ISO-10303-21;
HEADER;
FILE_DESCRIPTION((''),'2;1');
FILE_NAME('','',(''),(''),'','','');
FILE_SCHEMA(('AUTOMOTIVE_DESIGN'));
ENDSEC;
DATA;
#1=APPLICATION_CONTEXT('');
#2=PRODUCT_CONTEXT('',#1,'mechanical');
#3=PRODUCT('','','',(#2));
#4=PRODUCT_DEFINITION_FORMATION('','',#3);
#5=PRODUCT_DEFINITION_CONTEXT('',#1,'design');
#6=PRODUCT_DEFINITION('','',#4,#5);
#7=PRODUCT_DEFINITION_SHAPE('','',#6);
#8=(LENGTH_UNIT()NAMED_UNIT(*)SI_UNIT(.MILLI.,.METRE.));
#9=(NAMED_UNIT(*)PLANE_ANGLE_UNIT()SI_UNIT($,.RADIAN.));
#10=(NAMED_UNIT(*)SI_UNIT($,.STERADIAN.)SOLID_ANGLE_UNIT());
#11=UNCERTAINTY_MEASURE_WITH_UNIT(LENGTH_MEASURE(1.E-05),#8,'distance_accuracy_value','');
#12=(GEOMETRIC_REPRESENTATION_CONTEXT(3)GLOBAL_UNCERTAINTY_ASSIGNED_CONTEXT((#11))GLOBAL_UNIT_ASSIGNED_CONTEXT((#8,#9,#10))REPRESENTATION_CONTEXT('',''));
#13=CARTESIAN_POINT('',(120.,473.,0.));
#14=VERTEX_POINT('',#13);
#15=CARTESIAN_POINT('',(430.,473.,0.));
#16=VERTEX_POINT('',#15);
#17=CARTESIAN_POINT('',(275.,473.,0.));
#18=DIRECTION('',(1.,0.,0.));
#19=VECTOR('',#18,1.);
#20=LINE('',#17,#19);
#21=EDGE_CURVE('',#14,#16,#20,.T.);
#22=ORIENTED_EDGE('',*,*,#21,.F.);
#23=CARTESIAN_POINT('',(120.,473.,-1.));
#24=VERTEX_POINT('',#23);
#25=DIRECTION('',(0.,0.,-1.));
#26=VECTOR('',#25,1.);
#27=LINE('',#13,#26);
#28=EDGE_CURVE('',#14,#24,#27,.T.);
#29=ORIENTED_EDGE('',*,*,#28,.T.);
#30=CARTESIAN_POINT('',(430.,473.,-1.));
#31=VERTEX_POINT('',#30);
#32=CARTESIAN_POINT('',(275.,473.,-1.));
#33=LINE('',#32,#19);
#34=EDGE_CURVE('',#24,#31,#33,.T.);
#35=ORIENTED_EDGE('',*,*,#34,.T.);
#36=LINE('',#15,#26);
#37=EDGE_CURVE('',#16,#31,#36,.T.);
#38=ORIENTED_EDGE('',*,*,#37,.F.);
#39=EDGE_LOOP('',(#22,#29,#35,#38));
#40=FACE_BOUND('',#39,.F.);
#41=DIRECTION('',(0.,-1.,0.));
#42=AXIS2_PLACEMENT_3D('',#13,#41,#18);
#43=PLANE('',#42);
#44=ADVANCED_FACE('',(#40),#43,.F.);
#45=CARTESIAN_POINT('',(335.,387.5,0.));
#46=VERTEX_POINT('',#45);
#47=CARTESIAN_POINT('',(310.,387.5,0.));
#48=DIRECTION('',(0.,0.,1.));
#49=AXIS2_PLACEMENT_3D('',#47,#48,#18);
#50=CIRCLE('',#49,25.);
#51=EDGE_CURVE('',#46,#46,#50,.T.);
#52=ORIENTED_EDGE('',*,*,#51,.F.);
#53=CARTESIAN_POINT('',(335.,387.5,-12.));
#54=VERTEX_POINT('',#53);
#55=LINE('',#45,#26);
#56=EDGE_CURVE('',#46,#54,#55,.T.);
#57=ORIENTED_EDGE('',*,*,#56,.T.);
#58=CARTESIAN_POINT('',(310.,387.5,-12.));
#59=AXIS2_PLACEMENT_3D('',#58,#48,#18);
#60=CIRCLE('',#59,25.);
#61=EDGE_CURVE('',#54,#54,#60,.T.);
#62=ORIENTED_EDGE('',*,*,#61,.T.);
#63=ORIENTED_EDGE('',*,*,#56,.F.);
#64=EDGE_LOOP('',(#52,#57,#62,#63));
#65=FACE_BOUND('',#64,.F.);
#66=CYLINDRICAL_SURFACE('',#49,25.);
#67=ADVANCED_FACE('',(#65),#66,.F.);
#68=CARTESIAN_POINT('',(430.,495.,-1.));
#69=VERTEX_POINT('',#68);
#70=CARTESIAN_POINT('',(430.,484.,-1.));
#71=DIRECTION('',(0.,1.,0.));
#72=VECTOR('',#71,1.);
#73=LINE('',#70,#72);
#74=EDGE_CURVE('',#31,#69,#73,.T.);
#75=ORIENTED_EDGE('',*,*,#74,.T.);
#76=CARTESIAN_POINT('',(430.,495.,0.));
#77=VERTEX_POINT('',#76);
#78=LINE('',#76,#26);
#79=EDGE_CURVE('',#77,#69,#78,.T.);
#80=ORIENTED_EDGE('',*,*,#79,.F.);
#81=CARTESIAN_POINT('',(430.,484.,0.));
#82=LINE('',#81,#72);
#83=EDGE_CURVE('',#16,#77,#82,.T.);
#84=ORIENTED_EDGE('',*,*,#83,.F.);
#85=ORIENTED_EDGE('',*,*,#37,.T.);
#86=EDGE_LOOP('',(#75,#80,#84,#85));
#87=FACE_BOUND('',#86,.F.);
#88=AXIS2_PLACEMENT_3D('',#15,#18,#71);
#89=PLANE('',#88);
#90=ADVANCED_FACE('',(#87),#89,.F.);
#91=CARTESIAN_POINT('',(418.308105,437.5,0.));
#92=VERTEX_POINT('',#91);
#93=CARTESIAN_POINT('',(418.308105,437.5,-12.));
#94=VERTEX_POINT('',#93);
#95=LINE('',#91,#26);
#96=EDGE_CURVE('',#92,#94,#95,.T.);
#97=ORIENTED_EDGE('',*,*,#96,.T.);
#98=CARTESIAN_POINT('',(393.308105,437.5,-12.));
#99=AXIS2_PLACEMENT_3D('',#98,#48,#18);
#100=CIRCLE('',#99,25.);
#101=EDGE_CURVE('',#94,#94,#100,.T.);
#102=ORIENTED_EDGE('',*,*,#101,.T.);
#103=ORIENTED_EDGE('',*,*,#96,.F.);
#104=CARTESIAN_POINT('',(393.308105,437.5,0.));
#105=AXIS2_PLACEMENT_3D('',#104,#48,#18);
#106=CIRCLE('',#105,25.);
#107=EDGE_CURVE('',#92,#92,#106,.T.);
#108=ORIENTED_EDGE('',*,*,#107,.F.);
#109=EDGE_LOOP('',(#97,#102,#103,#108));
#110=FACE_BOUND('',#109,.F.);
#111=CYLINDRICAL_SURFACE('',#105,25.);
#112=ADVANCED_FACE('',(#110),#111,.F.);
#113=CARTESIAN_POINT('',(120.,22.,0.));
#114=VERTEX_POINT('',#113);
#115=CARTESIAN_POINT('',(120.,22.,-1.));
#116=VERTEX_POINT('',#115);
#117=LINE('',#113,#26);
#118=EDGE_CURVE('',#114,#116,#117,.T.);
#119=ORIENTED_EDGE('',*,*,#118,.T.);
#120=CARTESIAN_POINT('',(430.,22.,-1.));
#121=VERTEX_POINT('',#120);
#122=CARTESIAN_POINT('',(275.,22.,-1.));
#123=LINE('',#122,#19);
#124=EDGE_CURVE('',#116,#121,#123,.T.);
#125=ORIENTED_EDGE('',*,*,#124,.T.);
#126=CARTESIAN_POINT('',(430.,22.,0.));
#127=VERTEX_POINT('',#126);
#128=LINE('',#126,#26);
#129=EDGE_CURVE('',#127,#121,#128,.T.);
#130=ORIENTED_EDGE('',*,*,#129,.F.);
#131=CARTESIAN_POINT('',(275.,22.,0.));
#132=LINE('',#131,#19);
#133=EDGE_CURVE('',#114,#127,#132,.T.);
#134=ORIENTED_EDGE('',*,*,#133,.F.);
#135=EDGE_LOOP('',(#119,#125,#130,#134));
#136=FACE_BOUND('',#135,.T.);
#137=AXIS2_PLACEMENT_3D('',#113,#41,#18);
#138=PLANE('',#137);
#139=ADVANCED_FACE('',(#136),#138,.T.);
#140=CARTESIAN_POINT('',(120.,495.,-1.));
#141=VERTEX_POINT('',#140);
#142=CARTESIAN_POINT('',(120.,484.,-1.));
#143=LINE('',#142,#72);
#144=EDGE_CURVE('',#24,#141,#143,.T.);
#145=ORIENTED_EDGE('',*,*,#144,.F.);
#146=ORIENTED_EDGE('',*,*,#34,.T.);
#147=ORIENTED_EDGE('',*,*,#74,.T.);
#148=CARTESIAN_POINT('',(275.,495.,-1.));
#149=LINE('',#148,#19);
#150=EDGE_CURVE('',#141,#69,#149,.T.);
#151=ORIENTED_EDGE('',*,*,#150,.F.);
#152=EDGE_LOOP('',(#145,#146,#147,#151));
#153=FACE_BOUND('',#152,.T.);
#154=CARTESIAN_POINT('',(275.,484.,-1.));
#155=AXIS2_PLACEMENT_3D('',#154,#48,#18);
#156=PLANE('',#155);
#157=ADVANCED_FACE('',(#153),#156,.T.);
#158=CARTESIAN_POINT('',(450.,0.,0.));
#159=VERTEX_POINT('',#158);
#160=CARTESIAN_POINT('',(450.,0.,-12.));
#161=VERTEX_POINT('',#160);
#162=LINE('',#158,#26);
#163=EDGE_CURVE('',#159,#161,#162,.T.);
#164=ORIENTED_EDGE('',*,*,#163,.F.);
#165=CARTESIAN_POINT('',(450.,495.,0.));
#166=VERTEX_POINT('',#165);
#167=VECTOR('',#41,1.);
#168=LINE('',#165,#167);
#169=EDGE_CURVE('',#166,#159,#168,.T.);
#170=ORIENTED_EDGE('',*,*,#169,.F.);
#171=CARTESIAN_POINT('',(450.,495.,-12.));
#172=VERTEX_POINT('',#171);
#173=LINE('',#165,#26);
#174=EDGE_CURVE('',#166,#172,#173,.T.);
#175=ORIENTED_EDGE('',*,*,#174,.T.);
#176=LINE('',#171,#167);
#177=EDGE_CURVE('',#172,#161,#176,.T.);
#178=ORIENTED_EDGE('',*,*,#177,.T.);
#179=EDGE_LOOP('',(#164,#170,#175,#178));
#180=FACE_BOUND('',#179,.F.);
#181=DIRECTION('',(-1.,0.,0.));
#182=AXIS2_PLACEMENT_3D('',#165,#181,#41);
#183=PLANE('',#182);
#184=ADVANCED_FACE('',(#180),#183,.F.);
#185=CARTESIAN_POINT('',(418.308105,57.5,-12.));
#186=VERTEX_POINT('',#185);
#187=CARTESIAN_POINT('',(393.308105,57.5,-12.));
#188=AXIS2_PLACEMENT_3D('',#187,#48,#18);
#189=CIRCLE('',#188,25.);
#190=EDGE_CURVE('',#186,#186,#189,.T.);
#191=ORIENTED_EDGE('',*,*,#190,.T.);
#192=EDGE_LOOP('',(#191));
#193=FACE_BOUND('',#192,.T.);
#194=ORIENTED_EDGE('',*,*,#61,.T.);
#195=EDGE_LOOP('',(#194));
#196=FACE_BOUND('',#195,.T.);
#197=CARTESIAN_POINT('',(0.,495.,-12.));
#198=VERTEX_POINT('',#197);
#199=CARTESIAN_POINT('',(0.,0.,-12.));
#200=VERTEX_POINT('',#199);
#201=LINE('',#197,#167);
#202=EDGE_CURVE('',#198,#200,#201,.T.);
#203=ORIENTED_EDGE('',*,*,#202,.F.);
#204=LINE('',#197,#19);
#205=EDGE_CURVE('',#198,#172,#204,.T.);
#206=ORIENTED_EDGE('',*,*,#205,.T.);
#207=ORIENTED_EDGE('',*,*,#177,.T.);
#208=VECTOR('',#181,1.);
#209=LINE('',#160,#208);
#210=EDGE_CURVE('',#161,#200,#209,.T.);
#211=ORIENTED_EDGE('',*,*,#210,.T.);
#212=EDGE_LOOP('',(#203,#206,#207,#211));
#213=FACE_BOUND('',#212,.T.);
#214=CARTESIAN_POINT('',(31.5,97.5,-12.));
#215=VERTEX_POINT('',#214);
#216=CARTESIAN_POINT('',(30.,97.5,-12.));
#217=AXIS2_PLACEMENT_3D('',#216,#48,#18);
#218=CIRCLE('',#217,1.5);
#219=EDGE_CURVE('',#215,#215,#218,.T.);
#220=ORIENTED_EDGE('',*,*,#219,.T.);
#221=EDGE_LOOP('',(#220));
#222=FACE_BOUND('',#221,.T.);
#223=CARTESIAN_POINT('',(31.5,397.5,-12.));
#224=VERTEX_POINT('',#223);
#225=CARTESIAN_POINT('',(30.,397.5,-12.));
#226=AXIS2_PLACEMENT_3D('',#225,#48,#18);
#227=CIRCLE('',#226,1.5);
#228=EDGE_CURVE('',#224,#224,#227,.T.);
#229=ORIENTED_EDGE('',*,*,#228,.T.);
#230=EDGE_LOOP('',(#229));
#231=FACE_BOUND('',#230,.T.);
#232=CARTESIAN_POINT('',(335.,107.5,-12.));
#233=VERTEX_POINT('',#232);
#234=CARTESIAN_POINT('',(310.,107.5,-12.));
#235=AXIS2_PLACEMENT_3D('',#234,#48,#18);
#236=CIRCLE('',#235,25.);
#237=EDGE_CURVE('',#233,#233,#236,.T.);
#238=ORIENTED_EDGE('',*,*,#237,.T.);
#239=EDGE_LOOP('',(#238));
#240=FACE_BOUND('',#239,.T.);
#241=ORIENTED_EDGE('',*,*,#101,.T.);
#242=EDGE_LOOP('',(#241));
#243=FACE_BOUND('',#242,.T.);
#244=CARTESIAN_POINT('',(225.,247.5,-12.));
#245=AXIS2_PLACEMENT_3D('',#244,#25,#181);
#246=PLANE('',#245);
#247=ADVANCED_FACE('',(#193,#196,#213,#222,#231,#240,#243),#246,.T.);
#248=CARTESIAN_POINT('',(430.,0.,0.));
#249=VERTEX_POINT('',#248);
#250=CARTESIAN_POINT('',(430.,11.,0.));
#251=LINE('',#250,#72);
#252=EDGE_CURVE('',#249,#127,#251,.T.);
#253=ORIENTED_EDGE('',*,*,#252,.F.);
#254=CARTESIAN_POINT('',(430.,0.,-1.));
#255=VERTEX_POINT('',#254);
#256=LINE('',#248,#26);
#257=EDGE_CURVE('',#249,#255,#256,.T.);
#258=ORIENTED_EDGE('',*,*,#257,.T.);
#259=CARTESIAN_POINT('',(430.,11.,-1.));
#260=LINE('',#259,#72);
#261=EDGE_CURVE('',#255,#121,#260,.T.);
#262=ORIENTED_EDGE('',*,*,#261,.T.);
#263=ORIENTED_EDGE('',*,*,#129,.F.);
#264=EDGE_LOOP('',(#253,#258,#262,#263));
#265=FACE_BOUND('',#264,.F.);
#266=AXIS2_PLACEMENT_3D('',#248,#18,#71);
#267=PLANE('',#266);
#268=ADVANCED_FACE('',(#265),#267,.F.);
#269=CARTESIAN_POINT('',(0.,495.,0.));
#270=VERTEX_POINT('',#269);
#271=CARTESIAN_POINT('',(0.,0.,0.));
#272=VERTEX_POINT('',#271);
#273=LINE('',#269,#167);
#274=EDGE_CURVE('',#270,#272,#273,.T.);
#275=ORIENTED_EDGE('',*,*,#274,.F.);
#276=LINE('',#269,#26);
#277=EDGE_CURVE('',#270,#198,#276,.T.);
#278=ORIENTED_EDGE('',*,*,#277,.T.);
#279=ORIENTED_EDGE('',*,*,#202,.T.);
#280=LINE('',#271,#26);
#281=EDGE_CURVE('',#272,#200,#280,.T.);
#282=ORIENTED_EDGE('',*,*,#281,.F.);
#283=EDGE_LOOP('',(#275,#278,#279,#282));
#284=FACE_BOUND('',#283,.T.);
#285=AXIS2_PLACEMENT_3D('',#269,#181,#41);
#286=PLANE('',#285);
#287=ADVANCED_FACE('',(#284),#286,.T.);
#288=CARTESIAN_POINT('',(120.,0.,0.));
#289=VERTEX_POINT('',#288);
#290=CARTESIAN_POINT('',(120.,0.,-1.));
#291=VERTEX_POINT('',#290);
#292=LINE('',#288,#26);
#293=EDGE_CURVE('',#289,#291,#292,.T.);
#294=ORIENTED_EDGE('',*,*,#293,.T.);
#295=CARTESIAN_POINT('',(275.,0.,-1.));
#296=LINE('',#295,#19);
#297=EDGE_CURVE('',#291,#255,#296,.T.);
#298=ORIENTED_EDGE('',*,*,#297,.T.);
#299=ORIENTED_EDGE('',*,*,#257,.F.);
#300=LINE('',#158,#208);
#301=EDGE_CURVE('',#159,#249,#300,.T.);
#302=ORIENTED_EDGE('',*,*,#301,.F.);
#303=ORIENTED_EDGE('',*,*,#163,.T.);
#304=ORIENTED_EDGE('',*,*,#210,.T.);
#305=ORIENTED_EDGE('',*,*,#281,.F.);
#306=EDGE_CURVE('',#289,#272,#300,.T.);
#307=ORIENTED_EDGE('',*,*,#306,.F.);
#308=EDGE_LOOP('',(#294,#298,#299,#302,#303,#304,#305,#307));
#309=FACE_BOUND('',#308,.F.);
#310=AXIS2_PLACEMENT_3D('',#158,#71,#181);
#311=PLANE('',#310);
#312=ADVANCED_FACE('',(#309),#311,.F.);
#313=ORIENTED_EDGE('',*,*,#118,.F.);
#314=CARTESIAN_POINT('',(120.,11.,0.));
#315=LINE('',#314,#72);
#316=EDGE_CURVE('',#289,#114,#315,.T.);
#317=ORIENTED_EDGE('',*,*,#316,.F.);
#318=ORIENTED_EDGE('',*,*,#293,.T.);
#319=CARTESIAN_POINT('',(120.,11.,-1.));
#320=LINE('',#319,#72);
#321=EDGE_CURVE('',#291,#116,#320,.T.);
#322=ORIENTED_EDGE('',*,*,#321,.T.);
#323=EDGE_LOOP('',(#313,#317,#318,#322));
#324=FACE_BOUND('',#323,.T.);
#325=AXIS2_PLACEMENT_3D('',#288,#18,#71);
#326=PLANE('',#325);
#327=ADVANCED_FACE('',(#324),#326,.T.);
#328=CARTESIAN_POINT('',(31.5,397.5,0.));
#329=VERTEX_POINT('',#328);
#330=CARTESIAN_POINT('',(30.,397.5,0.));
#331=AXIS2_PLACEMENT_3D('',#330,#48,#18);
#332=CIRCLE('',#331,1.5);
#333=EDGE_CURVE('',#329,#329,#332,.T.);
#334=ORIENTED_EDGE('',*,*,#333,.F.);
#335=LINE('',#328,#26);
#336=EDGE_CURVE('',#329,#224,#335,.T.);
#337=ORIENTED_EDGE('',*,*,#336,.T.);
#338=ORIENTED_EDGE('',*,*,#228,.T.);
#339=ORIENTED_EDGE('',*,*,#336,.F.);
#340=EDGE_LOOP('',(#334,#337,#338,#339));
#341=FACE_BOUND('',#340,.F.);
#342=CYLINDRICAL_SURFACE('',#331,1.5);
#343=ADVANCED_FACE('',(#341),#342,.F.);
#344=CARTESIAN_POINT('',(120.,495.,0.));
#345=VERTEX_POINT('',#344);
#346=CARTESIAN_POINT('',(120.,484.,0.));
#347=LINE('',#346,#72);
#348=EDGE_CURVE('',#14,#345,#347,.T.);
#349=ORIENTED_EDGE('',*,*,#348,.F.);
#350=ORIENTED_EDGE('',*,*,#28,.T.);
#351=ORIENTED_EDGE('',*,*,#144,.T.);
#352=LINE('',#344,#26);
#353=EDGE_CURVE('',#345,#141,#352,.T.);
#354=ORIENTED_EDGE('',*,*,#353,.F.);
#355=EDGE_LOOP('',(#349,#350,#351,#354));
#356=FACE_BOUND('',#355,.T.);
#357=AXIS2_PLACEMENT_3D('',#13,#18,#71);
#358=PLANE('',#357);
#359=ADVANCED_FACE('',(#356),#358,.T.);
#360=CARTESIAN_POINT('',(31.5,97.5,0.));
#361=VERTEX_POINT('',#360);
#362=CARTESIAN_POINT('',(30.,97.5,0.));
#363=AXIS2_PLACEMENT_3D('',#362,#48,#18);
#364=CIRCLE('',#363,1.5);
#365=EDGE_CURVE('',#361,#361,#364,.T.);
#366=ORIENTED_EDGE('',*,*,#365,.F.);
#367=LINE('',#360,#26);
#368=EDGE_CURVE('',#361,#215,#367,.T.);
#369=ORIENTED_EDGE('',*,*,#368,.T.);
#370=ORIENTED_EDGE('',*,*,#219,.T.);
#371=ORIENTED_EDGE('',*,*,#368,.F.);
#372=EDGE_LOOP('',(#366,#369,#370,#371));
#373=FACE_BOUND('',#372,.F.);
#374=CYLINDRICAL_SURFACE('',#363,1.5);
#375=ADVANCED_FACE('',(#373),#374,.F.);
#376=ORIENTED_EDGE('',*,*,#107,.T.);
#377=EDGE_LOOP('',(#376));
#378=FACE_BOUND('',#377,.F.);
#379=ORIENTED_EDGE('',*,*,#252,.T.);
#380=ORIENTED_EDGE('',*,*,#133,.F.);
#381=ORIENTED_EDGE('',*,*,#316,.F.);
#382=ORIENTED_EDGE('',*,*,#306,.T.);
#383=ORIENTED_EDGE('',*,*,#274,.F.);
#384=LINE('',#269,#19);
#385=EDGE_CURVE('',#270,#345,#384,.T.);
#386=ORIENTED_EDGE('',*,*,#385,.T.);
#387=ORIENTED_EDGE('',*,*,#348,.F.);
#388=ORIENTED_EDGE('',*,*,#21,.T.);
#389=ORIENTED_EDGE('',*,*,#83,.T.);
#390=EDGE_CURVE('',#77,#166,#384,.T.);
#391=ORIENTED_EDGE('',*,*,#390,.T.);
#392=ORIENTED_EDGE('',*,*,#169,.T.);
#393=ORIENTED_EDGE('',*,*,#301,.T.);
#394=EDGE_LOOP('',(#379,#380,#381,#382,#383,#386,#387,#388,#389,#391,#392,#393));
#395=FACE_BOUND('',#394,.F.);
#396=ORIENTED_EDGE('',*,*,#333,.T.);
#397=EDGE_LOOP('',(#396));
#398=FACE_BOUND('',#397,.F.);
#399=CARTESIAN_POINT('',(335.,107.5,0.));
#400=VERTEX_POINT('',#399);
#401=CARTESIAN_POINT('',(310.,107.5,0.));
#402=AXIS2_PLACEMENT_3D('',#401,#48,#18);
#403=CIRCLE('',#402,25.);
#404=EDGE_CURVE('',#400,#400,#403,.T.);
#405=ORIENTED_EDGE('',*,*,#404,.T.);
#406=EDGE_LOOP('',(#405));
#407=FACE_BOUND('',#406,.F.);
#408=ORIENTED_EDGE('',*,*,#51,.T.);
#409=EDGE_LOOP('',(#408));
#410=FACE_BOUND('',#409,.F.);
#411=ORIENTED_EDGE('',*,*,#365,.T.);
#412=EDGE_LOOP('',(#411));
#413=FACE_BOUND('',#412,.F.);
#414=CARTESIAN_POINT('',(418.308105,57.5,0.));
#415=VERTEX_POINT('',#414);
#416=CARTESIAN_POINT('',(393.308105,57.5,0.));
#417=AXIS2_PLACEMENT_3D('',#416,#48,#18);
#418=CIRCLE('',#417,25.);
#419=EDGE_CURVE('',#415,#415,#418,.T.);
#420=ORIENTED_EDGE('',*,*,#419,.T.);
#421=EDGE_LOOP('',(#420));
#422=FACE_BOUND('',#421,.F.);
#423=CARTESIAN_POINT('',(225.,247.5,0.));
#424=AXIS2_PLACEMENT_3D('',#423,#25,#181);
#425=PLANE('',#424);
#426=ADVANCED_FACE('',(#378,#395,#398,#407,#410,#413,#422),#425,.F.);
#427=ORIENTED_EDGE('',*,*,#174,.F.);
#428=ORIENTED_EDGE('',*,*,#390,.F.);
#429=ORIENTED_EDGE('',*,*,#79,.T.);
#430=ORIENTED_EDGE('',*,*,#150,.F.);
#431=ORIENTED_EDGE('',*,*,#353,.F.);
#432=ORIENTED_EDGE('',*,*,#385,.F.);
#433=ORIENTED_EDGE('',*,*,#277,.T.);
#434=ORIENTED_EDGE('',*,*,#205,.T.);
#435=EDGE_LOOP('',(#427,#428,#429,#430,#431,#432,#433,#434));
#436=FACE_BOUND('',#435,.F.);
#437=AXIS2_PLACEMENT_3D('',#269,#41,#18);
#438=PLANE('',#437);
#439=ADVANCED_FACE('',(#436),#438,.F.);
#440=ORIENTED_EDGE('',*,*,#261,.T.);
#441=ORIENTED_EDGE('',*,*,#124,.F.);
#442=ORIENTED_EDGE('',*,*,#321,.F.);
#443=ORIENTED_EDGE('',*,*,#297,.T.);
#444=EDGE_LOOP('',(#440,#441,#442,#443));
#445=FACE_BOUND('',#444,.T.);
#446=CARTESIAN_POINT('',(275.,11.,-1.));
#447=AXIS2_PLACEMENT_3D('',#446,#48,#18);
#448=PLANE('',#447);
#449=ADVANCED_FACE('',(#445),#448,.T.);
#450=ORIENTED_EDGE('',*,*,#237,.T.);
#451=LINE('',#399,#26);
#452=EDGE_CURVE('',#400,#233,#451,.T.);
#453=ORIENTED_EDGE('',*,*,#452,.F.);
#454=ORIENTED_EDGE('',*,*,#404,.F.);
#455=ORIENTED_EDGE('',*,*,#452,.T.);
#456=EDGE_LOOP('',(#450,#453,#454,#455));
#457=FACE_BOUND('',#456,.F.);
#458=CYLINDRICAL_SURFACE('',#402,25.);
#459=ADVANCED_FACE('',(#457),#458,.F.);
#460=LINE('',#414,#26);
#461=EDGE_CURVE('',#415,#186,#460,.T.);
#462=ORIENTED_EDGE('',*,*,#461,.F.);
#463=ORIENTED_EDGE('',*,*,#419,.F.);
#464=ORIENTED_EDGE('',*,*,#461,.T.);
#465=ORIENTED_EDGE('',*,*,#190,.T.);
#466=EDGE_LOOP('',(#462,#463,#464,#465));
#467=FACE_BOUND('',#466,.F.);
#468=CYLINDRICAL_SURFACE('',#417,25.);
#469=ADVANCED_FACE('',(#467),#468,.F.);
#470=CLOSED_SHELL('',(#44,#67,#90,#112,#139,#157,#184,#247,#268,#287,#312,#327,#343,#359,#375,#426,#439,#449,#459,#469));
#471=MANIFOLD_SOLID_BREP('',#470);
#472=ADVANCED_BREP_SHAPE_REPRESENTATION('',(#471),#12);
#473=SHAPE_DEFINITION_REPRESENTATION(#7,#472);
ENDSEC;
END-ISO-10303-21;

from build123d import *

# Parameters (mm, degrees)
PAD_DEPTH       = 12
SKETCH004_R     = 25
POCKET001_DEPTH = 20
SKETCH005_R     = 1.5
POCKET_DEPTH    = 12.001
SKETCH006_W     = 310
SKETCH006_H     = 22
POCKET002_DEPTH = 1


with BuildPart() as part:
    # Sketch (on Part) → Pad (new body)
    with BuildSketch(Plane.XY):
        Polygon((0, 413.879036), (0, 495), (450, 495), (450, 0), (0, 0), align=None)
    extrude(amount=-PAD_DEPTH)

    # Sketch004 → Pocket001 (cut)
    with BuildSketch(Plane.XY):
        with Locations((393.308105, 437.5)):
            Circle(SKETCH004_R)
        with Locations((393.308105, 57.5)):
            Circle(SKETCH004_R)
        with Locations((310, 107.5)):
            Circle(SKETCH004_R)
        with Locations((310, 387.5)):
            Circle(SKETCH004_R)
    extrude(amount=-POCKET001_DEPTH, mode=Mode.SUBTRACT)

    # Sketch005 → Pocket (cut, through all)
    with BuildSketch(Plane.XY):
        with Locations((30, 397.5)):
            Circle(SKETCH005_R)
        with Locations((30, 97.5)):
            Circle(SKETCH005_R)
    extrude(amount=-POCKET_DEPTH, mode=Mode.SUBTRACT)

    # Sketch006 → Pocket002 (cut)
    with BuildSketch(Plane.XY):
        with Locations((275, 11)):
            Rectangle(SKETCH006_W, SKETCH006_H)
        with Locations((275, 484)):
            Rectangle(SKETCH006_W, SKETCH006_H)
    extrude(amount=-POCKET002_DEPTH, mode=Mode.SUBTRACT)


solid = part.part
